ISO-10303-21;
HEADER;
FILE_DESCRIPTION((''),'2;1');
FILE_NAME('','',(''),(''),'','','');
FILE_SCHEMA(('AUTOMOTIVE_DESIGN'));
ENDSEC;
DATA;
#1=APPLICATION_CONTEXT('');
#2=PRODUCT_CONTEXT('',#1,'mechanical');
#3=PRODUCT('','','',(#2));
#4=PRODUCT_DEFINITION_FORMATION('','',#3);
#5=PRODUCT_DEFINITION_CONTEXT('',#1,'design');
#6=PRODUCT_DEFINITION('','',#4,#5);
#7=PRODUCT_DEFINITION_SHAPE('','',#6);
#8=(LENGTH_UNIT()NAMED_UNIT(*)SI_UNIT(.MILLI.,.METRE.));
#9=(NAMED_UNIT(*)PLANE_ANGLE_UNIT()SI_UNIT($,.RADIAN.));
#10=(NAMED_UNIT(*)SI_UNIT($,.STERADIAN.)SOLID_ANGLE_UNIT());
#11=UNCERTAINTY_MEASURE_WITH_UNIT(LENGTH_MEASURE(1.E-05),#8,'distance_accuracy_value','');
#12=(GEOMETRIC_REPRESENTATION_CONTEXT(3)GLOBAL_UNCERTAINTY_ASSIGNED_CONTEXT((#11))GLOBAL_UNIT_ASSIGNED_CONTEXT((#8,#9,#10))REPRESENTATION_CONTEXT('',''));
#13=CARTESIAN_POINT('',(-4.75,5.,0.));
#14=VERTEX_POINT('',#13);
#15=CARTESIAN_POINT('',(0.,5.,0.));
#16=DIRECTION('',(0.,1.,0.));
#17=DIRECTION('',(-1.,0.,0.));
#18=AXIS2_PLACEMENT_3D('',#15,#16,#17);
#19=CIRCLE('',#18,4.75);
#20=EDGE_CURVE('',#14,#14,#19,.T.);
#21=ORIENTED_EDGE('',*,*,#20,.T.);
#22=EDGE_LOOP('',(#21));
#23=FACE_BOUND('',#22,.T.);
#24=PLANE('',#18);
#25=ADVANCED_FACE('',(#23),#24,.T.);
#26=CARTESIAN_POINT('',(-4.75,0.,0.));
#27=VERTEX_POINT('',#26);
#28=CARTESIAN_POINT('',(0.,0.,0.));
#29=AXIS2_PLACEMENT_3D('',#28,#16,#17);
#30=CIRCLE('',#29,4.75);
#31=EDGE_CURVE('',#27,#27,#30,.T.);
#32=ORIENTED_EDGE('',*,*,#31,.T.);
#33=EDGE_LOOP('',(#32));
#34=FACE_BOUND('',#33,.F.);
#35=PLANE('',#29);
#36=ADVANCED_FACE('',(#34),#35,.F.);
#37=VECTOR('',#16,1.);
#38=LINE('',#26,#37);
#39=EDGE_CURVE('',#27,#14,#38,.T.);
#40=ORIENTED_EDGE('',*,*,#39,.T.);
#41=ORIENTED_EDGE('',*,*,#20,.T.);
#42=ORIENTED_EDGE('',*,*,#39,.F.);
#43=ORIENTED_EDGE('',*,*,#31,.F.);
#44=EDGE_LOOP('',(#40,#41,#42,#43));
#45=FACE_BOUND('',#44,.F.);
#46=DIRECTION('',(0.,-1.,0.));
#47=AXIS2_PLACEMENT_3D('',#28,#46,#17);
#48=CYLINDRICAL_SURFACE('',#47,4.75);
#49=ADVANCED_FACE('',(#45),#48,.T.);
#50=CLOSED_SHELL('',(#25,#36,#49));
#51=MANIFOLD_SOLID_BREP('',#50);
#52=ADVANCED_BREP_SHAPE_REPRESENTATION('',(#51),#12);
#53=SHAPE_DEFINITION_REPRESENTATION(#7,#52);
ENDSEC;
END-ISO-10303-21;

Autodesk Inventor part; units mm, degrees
ref_plane "YZ Plane" through (0, 0, 0) normal (1, 0, 0) x (0, 1, 0)
ref_plane "XZ Plane" through (0, 0, 0) normal (0, 1, 0) x (-1, 0, 0)
ref_plane "XY Plane" through (0, 0, 0) normal (0, 0, 1) x (1, 0, 0)
sketch "스케치1" plane through (0, 0, 0) normal (0, 1, 0) x (-1, 0, 0)
  circle A0 centre (0, 0) radius 4.75
  dimension "d0" = 9.5
extrude "돌출1" add sketch "스케치1" along normal blind 5
properties part number "베어링 빼기"
